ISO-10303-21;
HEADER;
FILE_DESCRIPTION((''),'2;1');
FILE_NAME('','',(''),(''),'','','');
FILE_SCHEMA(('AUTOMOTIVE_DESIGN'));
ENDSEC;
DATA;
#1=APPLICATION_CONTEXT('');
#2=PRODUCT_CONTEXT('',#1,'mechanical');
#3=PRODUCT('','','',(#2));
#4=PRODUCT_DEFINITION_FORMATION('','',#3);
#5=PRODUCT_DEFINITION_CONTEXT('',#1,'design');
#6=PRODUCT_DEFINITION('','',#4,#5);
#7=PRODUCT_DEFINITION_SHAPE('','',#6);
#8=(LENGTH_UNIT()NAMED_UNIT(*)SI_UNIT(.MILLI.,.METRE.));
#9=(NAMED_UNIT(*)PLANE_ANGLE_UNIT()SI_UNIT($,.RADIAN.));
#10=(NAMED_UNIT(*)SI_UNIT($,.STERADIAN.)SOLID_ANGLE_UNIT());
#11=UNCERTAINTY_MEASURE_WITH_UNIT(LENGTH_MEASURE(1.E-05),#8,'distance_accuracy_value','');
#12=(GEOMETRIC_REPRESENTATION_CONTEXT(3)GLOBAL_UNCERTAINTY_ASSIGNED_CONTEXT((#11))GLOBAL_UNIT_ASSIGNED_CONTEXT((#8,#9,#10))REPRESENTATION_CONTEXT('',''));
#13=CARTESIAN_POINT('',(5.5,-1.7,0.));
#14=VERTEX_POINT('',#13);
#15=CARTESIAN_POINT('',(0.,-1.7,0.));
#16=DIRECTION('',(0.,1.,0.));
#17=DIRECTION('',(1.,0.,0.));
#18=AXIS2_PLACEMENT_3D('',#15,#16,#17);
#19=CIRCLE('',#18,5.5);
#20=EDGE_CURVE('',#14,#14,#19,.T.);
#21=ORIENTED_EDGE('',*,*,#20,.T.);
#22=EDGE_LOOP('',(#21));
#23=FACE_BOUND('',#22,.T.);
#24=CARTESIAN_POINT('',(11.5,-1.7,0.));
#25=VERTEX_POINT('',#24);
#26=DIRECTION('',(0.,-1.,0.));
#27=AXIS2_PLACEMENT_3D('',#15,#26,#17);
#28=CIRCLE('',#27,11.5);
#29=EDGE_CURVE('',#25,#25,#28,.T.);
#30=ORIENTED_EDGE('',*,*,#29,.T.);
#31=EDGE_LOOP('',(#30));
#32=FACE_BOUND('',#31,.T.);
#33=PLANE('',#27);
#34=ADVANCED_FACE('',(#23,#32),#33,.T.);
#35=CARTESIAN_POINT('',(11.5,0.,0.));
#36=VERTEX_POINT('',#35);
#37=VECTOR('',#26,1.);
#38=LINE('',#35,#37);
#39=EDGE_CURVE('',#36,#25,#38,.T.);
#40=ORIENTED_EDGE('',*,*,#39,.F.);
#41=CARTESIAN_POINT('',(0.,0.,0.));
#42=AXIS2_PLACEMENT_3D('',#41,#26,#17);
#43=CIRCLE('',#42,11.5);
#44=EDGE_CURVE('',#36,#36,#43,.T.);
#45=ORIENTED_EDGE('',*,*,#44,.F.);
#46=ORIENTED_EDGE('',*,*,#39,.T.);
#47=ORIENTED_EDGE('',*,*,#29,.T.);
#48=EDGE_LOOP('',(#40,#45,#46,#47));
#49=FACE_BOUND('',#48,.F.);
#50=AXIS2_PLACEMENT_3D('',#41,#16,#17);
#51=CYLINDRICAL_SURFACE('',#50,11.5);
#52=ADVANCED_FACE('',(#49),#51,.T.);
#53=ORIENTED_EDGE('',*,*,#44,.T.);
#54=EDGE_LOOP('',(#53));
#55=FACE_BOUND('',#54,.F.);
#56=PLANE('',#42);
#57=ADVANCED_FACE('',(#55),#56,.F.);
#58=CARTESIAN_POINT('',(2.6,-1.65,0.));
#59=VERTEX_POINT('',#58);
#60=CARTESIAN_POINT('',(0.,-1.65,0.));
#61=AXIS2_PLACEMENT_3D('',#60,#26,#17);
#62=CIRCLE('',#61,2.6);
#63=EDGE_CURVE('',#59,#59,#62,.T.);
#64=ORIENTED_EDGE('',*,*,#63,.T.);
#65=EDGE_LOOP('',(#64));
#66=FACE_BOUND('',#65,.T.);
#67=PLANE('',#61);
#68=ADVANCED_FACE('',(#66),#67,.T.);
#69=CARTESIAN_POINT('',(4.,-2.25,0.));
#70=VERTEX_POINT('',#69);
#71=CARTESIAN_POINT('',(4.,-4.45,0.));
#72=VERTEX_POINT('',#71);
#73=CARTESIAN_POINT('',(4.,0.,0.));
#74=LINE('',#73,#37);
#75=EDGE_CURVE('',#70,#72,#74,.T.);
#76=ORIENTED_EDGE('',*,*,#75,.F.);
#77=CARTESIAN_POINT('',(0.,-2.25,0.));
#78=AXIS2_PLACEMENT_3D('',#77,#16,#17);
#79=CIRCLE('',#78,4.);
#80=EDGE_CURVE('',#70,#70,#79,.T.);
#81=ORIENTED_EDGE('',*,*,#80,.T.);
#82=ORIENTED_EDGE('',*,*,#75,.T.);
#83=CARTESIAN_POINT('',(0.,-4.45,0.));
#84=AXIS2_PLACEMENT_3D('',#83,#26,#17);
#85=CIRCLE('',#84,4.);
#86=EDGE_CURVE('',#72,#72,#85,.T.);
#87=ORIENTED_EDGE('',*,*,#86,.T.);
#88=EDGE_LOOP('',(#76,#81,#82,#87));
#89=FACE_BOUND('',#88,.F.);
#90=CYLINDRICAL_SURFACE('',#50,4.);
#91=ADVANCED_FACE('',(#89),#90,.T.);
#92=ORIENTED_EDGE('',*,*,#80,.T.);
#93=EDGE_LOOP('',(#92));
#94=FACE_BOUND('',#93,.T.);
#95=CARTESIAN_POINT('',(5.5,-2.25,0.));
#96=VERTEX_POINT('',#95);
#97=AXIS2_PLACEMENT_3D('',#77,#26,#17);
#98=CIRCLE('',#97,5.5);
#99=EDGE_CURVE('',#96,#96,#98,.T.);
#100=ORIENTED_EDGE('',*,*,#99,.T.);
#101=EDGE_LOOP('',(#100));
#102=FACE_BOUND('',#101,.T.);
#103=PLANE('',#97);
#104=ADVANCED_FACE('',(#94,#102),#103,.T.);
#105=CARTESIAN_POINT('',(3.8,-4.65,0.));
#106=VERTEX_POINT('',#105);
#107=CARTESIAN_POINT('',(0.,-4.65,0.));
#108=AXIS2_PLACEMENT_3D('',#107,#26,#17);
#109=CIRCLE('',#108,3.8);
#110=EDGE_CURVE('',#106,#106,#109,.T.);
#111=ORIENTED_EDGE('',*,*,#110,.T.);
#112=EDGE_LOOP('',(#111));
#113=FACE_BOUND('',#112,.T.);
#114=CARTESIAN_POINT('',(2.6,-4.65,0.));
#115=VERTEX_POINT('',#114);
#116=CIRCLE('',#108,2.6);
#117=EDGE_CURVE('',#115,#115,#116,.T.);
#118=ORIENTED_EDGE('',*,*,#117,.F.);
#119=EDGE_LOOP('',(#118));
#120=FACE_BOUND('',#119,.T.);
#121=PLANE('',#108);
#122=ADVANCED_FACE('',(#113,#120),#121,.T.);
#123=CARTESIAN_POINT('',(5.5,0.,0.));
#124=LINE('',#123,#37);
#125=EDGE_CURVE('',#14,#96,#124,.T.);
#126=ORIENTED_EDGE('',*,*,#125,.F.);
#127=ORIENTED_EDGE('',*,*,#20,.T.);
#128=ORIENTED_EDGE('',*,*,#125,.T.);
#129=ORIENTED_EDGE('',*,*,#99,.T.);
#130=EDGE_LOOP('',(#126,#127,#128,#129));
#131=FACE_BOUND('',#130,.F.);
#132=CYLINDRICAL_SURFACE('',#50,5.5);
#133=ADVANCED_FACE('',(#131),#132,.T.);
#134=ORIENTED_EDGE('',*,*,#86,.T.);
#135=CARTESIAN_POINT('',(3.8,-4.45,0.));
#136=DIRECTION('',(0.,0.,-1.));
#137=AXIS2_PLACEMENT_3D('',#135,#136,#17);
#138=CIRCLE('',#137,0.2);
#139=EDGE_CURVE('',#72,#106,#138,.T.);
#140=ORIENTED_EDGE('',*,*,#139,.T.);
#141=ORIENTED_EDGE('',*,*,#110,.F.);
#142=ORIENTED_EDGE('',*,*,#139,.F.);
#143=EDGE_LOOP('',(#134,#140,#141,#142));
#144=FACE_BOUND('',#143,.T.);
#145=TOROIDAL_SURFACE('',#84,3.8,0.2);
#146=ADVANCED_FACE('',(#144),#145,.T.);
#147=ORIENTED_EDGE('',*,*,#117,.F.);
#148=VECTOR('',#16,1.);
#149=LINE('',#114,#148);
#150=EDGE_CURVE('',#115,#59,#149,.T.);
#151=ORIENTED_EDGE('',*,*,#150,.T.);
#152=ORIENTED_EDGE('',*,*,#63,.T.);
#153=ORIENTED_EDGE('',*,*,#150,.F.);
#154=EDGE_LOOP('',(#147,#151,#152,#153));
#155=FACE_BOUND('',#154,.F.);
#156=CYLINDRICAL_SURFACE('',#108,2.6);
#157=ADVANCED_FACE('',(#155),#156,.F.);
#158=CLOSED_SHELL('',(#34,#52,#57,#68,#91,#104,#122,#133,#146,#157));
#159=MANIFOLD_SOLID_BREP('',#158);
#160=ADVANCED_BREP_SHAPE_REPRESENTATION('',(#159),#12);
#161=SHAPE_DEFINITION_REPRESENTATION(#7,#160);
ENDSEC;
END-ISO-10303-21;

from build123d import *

# Parameters (mm, degrees)
F0_R     = 11.5
F1_DEPTH = 1.7
F2_R     = 5.5
F3_DEPTH = 2.25
F4_R     = 4
F5_DEPTH = 4.65
F6_R     = 0.2
F7_R     = 2.6
F8_DEPTH = 3


with BuildPart() as f1:
    # F0 (on Front) → F1 (new body)
    with BuildSketch(Plane.XZ):
        Circle(F0_R)
    extrude(amount=F1_DEPTH)

    # F2 (on Front) → F3 (join)
    with BuildSketch(Plane.XZ):
        Circle(F2_R)
    extrude(amount=F3_DEPTH)

    # F4 (on Front) → F5 (join)
    with BuildSketch(Plane.XZ):
        Circle(F4_R)
    extrude(amount=F5_DEPTH)

    # F6
    f6_edges = [f1.edges().sort_by_distance(p)[0] for p in [
        (-4, -4.65, 0),
    ]]
    fillet(f6_edges, radius=F6_R)

    # F7 (on face) → F8 (cut)
    with BuildSketch(Plane.XZ.offset(4.65)):
        Circle(F7_R)
    extrude(amount=-F8_DEPTH, mode=Mode.SUBTRACT)


solid = f1.part
